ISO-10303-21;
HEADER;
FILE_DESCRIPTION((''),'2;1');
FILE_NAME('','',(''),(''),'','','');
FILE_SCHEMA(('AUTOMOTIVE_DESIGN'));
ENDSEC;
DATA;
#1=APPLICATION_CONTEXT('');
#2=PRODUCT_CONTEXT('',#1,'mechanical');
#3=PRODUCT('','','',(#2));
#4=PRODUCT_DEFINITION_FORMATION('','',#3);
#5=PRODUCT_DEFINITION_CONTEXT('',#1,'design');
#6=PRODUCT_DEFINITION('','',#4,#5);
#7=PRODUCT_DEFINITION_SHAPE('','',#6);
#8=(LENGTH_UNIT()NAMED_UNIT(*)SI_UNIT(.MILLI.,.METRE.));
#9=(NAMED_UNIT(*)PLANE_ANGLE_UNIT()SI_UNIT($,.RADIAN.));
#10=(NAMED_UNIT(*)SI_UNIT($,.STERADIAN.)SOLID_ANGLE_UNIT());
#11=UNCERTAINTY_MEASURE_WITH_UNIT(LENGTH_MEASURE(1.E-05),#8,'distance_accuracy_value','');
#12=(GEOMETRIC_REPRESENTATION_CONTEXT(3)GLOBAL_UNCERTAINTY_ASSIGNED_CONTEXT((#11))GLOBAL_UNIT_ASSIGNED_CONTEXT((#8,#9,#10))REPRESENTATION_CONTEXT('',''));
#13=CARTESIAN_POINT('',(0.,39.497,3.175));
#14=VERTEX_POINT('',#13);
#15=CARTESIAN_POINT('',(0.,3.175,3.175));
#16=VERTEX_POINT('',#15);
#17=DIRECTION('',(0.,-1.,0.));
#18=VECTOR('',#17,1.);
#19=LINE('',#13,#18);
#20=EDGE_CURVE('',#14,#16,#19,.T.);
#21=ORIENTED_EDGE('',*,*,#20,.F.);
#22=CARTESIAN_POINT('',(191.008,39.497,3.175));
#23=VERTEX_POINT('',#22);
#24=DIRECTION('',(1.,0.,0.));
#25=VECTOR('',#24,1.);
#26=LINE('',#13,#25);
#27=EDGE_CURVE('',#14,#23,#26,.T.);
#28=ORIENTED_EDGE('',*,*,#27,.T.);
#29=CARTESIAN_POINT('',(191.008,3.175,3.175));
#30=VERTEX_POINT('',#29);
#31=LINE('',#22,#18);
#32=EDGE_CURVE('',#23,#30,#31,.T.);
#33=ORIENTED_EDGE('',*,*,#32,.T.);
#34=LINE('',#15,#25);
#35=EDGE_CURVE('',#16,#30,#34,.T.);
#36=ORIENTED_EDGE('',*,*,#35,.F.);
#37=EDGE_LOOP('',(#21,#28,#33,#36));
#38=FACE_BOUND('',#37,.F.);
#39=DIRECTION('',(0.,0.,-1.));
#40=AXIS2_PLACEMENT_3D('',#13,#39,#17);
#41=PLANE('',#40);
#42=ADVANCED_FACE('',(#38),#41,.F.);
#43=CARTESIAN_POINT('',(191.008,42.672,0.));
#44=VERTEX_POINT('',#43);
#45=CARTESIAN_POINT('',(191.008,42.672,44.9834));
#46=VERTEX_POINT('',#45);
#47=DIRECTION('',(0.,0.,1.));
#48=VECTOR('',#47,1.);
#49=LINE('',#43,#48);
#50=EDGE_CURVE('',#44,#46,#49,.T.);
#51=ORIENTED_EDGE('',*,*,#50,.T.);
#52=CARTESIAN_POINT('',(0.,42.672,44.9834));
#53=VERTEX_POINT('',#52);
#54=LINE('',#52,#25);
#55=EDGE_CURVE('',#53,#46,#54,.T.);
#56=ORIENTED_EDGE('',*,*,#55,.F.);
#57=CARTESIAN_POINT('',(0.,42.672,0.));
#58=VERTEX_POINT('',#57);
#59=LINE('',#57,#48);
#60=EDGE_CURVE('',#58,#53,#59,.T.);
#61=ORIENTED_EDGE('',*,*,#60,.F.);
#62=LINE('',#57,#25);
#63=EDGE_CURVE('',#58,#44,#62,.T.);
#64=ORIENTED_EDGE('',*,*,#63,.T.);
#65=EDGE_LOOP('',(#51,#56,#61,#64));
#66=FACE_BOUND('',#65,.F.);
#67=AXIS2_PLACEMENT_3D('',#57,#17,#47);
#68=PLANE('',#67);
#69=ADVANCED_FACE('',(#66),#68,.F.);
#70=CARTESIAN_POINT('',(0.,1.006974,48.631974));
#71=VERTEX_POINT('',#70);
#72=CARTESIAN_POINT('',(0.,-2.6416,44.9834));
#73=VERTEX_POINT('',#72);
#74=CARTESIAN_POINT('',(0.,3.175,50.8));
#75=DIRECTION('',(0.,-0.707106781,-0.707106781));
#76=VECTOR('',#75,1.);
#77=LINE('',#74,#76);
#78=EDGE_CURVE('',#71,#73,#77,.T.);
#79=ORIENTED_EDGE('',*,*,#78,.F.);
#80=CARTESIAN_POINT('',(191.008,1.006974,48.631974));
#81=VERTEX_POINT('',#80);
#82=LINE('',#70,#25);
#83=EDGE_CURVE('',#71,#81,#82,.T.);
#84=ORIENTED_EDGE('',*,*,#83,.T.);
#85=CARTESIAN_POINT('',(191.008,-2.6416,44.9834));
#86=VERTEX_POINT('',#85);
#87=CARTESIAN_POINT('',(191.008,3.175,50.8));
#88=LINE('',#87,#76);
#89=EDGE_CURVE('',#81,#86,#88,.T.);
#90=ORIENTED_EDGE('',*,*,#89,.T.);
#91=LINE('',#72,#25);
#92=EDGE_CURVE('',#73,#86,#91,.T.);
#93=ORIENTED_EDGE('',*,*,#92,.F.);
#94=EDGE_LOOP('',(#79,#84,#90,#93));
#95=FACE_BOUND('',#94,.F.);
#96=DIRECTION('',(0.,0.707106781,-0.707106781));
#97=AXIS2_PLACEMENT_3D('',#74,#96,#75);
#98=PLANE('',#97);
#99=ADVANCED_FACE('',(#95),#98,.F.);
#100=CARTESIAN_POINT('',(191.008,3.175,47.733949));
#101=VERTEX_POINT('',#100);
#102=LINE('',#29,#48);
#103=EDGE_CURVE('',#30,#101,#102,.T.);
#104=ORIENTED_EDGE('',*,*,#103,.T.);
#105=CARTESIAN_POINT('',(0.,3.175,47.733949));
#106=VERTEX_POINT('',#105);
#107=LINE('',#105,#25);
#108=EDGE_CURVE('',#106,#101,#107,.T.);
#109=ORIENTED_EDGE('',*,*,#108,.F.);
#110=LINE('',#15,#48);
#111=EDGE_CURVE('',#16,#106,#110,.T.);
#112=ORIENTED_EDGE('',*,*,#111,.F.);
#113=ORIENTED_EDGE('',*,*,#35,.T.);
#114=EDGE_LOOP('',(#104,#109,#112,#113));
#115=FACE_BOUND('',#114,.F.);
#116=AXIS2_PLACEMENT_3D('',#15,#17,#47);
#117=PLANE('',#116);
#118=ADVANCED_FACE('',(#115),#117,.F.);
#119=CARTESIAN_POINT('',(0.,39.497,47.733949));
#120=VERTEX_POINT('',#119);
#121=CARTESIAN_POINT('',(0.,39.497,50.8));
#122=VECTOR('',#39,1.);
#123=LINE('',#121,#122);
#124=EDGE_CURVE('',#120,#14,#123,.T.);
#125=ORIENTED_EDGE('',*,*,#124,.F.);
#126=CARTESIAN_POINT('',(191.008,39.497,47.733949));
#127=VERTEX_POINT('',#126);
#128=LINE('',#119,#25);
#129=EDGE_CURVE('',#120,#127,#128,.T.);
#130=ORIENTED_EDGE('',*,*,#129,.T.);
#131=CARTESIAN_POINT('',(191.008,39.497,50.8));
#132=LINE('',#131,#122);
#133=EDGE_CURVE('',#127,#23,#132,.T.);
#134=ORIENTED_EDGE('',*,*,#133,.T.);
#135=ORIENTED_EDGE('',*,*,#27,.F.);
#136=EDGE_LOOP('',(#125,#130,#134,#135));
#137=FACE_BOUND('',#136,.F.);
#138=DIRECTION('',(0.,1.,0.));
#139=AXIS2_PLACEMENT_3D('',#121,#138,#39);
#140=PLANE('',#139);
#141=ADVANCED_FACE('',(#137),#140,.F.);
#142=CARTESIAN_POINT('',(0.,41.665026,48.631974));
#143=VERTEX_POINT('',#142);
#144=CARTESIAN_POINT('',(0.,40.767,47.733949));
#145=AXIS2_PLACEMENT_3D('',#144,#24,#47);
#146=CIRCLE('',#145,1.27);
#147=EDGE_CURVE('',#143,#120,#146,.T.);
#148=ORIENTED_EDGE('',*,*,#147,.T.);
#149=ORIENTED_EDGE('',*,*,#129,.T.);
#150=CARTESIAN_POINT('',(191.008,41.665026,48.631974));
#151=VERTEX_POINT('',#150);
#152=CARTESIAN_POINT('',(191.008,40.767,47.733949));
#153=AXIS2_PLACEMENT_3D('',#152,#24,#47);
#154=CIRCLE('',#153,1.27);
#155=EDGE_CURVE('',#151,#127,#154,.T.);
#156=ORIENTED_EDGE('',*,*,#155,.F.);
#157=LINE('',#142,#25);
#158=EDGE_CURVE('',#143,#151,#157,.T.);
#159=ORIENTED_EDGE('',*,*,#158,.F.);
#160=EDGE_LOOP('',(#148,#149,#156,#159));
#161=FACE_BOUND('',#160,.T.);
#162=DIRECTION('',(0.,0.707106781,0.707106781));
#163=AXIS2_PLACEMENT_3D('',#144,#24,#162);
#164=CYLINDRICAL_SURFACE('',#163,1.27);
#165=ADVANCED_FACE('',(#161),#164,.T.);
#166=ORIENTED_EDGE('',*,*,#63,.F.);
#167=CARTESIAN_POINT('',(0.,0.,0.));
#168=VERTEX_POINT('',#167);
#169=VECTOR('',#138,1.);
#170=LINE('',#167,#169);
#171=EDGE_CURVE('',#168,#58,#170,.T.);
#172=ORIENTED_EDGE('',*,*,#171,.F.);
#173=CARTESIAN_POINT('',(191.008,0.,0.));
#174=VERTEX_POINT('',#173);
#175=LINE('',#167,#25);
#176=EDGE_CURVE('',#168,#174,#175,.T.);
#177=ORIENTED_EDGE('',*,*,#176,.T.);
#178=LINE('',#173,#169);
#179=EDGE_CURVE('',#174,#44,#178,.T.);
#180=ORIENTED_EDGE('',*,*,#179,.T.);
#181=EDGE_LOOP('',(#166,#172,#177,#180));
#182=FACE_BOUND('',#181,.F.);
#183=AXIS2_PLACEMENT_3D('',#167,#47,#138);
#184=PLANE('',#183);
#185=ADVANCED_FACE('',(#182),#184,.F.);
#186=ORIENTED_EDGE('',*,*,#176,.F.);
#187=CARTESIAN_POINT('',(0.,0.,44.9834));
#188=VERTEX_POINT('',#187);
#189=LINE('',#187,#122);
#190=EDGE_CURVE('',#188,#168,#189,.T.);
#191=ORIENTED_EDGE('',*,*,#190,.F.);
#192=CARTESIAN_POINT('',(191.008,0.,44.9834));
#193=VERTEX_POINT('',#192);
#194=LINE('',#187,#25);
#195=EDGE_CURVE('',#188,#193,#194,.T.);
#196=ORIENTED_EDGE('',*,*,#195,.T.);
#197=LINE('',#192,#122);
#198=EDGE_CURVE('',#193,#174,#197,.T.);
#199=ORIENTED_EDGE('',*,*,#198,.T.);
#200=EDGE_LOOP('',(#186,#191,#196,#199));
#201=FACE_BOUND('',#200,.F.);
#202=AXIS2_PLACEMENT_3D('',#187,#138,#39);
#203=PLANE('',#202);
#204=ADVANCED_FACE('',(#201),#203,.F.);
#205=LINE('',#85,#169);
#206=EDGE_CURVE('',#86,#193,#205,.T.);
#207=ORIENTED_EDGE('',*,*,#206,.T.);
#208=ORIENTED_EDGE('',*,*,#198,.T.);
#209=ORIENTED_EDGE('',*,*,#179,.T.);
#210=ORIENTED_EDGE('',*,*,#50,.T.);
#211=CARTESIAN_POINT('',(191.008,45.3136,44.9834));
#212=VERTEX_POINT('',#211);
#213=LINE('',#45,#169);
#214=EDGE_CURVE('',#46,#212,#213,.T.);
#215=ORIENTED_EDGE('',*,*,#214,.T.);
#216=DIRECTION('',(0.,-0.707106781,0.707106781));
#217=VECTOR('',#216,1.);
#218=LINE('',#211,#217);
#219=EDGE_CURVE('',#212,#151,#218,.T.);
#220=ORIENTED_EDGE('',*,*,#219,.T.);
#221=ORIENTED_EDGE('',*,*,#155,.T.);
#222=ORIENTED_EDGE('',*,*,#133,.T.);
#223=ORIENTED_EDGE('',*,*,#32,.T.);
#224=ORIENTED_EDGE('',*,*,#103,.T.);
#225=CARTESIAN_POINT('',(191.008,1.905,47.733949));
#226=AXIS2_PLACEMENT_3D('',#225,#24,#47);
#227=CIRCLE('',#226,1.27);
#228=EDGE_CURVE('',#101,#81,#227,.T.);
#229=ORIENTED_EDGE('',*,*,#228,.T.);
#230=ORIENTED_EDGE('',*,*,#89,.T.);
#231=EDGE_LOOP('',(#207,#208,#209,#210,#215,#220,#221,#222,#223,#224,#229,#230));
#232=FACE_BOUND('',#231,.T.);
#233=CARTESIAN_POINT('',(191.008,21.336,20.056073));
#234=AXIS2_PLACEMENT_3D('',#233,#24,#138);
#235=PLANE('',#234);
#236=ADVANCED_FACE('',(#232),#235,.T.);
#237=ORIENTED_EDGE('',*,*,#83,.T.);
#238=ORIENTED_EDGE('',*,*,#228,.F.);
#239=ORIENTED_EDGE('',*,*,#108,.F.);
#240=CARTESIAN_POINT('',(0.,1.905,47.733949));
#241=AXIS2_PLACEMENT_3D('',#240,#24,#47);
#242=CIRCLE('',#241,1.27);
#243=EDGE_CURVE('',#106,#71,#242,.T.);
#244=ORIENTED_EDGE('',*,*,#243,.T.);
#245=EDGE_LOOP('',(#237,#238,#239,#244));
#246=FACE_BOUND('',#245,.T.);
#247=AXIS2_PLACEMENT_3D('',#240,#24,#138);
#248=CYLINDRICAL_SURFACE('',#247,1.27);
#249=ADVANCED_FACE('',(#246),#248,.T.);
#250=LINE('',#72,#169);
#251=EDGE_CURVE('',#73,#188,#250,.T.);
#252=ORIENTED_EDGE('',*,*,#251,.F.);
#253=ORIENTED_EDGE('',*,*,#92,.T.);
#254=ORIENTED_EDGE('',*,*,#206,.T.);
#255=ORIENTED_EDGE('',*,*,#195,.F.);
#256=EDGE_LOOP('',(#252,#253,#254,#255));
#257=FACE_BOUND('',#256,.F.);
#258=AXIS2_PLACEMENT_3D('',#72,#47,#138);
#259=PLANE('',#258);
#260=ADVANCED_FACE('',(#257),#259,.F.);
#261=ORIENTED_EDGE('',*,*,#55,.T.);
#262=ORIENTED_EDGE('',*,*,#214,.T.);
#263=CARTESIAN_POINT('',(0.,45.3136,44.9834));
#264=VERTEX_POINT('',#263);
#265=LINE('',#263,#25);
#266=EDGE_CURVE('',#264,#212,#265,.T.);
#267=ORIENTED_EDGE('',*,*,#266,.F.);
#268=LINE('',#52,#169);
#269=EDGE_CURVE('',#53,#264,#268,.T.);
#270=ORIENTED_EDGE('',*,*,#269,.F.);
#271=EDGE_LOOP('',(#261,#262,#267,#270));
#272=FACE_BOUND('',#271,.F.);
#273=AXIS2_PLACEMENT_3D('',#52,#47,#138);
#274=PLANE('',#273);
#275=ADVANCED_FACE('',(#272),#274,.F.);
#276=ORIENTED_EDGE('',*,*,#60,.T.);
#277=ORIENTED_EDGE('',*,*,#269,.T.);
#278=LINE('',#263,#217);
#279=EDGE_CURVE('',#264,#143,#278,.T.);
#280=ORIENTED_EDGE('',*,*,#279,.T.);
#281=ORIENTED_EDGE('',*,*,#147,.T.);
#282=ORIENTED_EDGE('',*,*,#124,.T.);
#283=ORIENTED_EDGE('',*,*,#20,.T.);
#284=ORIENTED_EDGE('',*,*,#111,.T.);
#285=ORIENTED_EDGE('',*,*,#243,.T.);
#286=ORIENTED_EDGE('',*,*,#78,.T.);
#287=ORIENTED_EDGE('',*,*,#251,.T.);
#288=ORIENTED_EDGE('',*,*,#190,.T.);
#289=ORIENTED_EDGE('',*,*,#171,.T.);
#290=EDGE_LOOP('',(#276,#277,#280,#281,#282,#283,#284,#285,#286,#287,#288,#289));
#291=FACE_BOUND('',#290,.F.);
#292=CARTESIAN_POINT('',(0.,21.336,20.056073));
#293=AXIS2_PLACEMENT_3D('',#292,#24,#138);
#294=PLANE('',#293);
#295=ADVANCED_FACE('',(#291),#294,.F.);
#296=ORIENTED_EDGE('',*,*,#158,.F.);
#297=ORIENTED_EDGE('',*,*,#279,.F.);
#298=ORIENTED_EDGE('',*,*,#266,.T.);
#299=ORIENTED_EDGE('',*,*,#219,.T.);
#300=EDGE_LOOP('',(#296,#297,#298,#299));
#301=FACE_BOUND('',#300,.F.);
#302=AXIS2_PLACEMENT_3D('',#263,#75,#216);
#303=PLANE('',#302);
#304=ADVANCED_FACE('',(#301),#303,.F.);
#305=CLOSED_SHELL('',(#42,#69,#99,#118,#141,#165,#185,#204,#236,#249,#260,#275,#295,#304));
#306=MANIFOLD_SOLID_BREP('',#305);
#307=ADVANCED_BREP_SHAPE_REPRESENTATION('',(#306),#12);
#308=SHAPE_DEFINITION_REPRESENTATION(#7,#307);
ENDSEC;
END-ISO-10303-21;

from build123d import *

# Parameters (mm, degrees)
F1_DEPTH = 191.008
F2_R     = 1.27


with BuildPart() as f1:
    # F0 (on Right) → F1 (new body)
    with BuildSketch(Plane.YZ):
        Polygon((0, 44.9834), (0, 0), (42.672, 0), (42.672, 44.9834), (45.3136, 44.9834), (39.497, 50.8), (39.497, 3.175), (3.175, 3.175), (3.175, 50.8), (-2.6416, 44.9834), align=None)
    extrude(amount=F1_DEPTH)

    # F2
    f2_edges = [f1.edges().sort_by_distance(p)[0] for p in [
        (95.504, 3.175, 50.8),
        (95.504, 39.497, 50.8),
    ]]
    fillet(f2_edges, radius=F2_R)


solid = f1.part
